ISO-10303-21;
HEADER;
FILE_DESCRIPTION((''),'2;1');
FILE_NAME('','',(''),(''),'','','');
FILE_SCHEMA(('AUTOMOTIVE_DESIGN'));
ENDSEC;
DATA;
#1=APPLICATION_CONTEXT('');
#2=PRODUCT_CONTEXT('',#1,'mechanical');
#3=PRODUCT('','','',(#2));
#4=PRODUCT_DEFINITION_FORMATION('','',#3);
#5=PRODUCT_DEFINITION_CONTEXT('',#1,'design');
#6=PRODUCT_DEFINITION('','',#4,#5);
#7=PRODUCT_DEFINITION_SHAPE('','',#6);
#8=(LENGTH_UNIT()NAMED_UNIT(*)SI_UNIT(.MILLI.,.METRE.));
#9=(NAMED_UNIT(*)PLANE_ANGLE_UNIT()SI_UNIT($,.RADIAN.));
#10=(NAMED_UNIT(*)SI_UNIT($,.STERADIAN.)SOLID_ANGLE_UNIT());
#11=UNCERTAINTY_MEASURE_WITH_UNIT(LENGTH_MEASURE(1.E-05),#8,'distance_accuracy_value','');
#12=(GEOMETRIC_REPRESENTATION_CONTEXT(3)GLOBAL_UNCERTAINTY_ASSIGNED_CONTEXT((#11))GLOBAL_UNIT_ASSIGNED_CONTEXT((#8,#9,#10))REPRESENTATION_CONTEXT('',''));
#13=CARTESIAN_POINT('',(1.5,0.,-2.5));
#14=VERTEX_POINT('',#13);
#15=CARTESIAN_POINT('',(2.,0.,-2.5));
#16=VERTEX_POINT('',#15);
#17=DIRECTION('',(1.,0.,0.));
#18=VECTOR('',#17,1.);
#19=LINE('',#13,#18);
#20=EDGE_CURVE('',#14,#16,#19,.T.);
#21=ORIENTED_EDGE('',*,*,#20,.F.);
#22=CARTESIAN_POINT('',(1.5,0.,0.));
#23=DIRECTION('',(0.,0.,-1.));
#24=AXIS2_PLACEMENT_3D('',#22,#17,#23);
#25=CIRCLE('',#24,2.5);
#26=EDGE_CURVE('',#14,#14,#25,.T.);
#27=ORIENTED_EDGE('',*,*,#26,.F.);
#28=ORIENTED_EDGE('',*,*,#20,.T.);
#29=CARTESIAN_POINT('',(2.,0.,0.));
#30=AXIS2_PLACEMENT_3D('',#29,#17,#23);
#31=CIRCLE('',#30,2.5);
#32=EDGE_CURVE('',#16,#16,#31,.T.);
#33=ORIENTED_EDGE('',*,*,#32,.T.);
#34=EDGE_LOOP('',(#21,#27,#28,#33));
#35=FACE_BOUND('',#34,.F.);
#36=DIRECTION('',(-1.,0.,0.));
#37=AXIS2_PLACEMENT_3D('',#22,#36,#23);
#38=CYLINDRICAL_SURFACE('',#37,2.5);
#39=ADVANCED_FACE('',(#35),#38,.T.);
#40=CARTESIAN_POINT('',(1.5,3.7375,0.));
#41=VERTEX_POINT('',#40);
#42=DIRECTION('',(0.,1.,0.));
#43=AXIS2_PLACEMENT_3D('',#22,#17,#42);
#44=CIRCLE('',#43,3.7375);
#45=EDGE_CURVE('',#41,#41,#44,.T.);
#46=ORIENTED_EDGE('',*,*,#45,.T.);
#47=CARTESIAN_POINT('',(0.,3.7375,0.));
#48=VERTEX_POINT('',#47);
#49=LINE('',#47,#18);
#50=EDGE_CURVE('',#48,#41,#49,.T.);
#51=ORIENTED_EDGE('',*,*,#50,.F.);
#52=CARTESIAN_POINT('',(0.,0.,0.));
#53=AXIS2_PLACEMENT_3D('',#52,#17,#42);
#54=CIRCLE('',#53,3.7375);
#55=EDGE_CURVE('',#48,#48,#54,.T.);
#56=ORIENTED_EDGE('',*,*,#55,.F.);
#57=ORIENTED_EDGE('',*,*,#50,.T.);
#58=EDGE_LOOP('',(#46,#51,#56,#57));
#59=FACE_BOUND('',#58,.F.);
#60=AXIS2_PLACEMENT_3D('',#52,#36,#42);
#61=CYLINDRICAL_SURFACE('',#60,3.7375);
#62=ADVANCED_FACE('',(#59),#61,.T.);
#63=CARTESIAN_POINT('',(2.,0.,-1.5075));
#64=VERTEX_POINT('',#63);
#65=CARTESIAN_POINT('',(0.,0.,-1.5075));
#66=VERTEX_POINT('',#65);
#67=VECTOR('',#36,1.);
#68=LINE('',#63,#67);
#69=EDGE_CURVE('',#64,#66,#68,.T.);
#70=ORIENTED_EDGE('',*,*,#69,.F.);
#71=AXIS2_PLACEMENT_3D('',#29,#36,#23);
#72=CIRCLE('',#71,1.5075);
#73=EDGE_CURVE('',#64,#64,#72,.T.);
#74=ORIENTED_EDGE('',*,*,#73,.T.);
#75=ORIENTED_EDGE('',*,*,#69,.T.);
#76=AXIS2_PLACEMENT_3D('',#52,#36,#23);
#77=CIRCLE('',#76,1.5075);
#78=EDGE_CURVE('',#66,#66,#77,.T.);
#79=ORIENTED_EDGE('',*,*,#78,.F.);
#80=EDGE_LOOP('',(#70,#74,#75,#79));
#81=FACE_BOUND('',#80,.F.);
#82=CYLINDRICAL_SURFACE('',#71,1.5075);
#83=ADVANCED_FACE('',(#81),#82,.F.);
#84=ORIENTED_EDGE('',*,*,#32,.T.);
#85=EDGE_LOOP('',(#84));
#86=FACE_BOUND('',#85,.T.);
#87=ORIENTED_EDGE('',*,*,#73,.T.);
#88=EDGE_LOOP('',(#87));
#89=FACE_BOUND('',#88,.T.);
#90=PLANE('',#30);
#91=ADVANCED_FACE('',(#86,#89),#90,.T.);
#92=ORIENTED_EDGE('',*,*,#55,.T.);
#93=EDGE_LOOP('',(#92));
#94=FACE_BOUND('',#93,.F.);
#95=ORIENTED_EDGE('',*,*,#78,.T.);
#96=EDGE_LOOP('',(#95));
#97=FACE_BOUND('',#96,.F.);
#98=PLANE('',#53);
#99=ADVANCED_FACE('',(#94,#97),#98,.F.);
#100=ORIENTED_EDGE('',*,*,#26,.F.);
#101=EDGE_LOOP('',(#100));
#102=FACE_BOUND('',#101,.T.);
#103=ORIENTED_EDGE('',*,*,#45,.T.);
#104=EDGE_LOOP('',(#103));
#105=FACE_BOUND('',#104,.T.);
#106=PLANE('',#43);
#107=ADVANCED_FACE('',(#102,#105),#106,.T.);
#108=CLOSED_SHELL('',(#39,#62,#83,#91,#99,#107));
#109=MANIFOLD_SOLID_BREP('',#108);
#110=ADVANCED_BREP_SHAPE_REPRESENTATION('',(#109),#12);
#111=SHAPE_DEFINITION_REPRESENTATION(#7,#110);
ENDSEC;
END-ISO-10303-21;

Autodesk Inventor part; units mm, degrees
ref_plane "YZ Plane" through (0, 0, 0) normal (1, 0, 0) x (0, 1, 0)
ref_plane "XZ Plane" through (0, 0, 0) normal (0, 1, 0) x (-1, 0, 0)
ref_plane "XY Plane" through (0, 0, 0) normal (0, 0, 1) x (1, 0, 0)
sketch "Sketch1" plane through (0, 0, 0) normal (1, 0, 0) x (0, 1, 0)
  circle A0 centre (0, 0) radius 3.7375
  dimension "d0" = 7.475
extrude "Extrusion1" add sketch "Sketch1" along normal blind 1.5
sketch "Sketch2" plane through (1.5, 0, 0) normal (1, 0, 0) x (0, 0, -1)
  circle A0 centre (0, 0) radius 2.5
  dimension "d4" = 5
extrude "Extrusion2" add sketch "Sketch2" along normal blind 0.5
sketch "Sketch3" plane through (2, 0, 0) normal (1, 0, 0) x (0, 0, -1)
  circle A0 centre (0, 0) radius 2.5 projected
hole "Hole1" at (2, 0, 0) direction (-1, 0, 0) diameter 3.015 end through all
properties part number "roller"
